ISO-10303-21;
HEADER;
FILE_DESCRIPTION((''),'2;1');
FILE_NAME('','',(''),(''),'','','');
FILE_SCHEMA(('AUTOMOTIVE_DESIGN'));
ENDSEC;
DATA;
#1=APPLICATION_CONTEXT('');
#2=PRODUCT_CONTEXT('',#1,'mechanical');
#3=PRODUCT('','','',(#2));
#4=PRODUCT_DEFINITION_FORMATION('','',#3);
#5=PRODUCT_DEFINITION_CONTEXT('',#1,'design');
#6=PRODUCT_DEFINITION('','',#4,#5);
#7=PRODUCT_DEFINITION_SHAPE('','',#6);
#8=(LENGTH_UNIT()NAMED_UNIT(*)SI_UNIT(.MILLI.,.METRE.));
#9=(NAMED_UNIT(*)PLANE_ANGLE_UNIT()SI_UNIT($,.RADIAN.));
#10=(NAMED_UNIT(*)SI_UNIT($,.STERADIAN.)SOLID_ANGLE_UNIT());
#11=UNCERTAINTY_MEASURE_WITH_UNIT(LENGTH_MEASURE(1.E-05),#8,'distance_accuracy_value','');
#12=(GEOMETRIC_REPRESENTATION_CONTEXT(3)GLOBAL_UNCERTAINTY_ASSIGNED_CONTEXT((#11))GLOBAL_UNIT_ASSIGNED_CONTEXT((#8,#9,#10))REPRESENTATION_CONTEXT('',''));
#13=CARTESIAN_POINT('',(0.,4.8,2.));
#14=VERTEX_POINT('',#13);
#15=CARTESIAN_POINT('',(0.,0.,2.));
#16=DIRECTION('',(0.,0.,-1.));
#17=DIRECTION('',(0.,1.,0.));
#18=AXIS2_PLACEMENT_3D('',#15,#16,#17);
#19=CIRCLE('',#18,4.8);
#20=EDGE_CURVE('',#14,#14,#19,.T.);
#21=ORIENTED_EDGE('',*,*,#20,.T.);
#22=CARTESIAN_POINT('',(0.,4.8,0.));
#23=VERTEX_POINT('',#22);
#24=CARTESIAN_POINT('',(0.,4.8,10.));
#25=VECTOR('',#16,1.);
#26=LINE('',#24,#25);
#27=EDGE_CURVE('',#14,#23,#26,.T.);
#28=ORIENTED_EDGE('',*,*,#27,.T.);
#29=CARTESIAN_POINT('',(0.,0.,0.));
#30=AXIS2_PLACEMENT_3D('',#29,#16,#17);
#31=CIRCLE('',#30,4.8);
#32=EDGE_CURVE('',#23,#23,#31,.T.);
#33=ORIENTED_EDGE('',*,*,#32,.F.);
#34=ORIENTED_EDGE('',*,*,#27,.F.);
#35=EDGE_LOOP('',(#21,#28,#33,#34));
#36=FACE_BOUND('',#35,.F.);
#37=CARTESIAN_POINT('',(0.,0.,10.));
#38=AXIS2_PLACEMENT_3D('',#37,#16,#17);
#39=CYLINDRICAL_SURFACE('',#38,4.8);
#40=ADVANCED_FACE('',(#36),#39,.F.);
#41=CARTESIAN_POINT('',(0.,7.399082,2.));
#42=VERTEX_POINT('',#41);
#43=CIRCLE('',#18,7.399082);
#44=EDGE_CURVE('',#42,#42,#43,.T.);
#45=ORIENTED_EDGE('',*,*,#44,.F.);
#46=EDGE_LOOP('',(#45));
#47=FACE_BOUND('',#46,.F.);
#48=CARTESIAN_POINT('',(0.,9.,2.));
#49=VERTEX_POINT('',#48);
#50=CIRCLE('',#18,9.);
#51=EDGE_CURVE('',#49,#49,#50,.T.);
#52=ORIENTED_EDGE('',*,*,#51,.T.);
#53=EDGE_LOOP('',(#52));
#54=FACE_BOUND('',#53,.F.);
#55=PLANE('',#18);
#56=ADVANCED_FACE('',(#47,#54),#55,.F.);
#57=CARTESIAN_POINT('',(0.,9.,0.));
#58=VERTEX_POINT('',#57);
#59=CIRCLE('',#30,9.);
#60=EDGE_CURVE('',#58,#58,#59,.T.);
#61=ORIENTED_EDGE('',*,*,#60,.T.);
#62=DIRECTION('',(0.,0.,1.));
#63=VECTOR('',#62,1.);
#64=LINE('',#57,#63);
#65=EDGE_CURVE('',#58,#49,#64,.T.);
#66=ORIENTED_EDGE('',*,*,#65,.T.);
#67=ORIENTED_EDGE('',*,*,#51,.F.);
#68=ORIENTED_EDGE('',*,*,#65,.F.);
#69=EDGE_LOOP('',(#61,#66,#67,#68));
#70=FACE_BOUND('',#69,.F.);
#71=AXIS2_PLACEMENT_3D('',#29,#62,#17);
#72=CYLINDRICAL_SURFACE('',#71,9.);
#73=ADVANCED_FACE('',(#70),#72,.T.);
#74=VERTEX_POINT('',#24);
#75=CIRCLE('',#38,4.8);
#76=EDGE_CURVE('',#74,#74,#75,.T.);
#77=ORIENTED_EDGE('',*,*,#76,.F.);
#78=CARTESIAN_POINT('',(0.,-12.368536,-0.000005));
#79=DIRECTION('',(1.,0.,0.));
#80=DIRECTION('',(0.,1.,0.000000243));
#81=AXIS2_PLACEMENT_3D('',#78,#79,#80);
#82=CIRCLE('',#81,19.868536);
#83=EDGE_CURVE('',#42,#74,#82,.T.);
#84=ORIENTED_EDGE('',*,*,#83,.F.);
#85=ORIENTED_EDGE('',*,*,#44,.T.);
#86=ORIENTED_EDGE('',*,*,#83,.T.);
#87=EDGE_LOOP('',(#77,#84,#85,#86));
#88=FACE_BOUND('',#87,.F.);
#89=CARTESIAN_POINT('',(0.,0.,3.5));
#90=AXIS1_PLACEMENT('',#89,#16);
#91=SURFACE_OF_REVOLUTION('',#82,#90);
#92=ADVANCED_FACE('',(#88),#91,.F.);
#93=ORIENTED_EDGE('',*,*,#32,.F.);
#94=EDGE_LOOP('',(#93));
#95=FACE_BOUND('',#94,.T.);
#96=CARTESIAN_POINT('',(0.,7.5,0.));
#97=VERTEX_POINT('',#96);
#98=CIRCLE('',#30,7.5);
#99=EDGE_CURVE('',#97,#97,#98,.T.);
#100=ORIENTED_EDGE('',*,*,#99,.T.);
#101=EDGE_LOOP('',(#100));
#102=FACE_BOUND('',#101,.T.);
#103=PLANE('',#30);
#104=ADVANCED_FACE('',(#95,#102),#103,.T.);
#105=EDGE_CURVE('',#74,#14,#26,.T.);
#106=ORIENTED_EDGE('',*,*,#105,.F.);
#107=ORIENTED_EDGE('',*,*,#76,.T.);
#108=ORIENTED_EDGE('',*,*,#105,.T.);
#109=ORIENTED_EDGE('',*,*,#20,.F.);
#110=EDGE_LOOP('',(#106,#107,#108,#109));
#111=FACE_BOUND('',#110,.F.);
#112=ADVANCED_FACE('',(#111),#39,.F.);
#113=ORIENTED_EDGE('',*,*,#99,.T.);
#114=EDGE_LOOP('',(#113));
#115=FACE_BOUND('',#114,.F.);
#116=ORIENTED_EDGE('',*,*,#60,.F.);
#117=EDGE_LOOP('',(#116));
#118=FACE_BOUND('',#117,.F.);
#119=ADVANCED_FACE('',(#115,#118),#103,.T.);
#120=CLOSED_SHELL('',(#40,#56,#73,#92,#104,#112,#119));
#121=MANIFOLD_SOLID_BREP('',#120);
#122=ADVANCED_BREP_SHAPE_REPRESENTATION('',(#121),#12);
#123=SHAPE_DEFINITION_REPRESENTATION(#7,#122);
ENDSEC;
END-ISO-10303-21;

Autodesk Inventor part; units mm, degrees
ref_plane "YZ Plane" through (0, 0, 0) normal (1, 0, 0) x (0, 1, 0)
ref_plane "XZ Plane" through (0, 0, 0) normal (0, 1, 0) x (-1, 0, 0)
ref_plane "XY Plane" through (0, 0, 0) normal (0, 0, 1) x (1, 0, 0)
sketch "Sketch1" plane through (0, 0, 0) normal (1, 0, 0) x (0, 1, 0)
  line L0 (0, 0) -> (7.5, 0) construction
  arc A0 (7.5, 0) -> (4.8, 10) centre (-12.3685, 0) ccw
  line L1 (0, 3.5) -> (0, 0) construction
  line L2 (4.8, 10) -> (4.8, 10)
  line L3 (7.5, 0) -> (4.8, 0)
  line L4 (4.8, 10) -> (4.8, 0)
  line L5 (4.8, 0) -> (9, 0)
  line L6 (9, 0) -> (9, 2)
  line L7 (9, 2) -> (4.8, 2)
  line L8 (4.8, 2) -> (4.8, 0)
  point P0 (0, 6.2097)
  dimension "d1" = 7.5
  dimension "d10" = 10
  dimension "d11" = 0
  dimension "d12" = 4.8
  dimension "d13" = 2
  dimension "d15" = 9
revolve "Revolution1" add sketch "Sketch1" angle 360 about axis through (0, 0, 3.5) along (0, 0, -1)
properties part number "brush fitting partb v5"
